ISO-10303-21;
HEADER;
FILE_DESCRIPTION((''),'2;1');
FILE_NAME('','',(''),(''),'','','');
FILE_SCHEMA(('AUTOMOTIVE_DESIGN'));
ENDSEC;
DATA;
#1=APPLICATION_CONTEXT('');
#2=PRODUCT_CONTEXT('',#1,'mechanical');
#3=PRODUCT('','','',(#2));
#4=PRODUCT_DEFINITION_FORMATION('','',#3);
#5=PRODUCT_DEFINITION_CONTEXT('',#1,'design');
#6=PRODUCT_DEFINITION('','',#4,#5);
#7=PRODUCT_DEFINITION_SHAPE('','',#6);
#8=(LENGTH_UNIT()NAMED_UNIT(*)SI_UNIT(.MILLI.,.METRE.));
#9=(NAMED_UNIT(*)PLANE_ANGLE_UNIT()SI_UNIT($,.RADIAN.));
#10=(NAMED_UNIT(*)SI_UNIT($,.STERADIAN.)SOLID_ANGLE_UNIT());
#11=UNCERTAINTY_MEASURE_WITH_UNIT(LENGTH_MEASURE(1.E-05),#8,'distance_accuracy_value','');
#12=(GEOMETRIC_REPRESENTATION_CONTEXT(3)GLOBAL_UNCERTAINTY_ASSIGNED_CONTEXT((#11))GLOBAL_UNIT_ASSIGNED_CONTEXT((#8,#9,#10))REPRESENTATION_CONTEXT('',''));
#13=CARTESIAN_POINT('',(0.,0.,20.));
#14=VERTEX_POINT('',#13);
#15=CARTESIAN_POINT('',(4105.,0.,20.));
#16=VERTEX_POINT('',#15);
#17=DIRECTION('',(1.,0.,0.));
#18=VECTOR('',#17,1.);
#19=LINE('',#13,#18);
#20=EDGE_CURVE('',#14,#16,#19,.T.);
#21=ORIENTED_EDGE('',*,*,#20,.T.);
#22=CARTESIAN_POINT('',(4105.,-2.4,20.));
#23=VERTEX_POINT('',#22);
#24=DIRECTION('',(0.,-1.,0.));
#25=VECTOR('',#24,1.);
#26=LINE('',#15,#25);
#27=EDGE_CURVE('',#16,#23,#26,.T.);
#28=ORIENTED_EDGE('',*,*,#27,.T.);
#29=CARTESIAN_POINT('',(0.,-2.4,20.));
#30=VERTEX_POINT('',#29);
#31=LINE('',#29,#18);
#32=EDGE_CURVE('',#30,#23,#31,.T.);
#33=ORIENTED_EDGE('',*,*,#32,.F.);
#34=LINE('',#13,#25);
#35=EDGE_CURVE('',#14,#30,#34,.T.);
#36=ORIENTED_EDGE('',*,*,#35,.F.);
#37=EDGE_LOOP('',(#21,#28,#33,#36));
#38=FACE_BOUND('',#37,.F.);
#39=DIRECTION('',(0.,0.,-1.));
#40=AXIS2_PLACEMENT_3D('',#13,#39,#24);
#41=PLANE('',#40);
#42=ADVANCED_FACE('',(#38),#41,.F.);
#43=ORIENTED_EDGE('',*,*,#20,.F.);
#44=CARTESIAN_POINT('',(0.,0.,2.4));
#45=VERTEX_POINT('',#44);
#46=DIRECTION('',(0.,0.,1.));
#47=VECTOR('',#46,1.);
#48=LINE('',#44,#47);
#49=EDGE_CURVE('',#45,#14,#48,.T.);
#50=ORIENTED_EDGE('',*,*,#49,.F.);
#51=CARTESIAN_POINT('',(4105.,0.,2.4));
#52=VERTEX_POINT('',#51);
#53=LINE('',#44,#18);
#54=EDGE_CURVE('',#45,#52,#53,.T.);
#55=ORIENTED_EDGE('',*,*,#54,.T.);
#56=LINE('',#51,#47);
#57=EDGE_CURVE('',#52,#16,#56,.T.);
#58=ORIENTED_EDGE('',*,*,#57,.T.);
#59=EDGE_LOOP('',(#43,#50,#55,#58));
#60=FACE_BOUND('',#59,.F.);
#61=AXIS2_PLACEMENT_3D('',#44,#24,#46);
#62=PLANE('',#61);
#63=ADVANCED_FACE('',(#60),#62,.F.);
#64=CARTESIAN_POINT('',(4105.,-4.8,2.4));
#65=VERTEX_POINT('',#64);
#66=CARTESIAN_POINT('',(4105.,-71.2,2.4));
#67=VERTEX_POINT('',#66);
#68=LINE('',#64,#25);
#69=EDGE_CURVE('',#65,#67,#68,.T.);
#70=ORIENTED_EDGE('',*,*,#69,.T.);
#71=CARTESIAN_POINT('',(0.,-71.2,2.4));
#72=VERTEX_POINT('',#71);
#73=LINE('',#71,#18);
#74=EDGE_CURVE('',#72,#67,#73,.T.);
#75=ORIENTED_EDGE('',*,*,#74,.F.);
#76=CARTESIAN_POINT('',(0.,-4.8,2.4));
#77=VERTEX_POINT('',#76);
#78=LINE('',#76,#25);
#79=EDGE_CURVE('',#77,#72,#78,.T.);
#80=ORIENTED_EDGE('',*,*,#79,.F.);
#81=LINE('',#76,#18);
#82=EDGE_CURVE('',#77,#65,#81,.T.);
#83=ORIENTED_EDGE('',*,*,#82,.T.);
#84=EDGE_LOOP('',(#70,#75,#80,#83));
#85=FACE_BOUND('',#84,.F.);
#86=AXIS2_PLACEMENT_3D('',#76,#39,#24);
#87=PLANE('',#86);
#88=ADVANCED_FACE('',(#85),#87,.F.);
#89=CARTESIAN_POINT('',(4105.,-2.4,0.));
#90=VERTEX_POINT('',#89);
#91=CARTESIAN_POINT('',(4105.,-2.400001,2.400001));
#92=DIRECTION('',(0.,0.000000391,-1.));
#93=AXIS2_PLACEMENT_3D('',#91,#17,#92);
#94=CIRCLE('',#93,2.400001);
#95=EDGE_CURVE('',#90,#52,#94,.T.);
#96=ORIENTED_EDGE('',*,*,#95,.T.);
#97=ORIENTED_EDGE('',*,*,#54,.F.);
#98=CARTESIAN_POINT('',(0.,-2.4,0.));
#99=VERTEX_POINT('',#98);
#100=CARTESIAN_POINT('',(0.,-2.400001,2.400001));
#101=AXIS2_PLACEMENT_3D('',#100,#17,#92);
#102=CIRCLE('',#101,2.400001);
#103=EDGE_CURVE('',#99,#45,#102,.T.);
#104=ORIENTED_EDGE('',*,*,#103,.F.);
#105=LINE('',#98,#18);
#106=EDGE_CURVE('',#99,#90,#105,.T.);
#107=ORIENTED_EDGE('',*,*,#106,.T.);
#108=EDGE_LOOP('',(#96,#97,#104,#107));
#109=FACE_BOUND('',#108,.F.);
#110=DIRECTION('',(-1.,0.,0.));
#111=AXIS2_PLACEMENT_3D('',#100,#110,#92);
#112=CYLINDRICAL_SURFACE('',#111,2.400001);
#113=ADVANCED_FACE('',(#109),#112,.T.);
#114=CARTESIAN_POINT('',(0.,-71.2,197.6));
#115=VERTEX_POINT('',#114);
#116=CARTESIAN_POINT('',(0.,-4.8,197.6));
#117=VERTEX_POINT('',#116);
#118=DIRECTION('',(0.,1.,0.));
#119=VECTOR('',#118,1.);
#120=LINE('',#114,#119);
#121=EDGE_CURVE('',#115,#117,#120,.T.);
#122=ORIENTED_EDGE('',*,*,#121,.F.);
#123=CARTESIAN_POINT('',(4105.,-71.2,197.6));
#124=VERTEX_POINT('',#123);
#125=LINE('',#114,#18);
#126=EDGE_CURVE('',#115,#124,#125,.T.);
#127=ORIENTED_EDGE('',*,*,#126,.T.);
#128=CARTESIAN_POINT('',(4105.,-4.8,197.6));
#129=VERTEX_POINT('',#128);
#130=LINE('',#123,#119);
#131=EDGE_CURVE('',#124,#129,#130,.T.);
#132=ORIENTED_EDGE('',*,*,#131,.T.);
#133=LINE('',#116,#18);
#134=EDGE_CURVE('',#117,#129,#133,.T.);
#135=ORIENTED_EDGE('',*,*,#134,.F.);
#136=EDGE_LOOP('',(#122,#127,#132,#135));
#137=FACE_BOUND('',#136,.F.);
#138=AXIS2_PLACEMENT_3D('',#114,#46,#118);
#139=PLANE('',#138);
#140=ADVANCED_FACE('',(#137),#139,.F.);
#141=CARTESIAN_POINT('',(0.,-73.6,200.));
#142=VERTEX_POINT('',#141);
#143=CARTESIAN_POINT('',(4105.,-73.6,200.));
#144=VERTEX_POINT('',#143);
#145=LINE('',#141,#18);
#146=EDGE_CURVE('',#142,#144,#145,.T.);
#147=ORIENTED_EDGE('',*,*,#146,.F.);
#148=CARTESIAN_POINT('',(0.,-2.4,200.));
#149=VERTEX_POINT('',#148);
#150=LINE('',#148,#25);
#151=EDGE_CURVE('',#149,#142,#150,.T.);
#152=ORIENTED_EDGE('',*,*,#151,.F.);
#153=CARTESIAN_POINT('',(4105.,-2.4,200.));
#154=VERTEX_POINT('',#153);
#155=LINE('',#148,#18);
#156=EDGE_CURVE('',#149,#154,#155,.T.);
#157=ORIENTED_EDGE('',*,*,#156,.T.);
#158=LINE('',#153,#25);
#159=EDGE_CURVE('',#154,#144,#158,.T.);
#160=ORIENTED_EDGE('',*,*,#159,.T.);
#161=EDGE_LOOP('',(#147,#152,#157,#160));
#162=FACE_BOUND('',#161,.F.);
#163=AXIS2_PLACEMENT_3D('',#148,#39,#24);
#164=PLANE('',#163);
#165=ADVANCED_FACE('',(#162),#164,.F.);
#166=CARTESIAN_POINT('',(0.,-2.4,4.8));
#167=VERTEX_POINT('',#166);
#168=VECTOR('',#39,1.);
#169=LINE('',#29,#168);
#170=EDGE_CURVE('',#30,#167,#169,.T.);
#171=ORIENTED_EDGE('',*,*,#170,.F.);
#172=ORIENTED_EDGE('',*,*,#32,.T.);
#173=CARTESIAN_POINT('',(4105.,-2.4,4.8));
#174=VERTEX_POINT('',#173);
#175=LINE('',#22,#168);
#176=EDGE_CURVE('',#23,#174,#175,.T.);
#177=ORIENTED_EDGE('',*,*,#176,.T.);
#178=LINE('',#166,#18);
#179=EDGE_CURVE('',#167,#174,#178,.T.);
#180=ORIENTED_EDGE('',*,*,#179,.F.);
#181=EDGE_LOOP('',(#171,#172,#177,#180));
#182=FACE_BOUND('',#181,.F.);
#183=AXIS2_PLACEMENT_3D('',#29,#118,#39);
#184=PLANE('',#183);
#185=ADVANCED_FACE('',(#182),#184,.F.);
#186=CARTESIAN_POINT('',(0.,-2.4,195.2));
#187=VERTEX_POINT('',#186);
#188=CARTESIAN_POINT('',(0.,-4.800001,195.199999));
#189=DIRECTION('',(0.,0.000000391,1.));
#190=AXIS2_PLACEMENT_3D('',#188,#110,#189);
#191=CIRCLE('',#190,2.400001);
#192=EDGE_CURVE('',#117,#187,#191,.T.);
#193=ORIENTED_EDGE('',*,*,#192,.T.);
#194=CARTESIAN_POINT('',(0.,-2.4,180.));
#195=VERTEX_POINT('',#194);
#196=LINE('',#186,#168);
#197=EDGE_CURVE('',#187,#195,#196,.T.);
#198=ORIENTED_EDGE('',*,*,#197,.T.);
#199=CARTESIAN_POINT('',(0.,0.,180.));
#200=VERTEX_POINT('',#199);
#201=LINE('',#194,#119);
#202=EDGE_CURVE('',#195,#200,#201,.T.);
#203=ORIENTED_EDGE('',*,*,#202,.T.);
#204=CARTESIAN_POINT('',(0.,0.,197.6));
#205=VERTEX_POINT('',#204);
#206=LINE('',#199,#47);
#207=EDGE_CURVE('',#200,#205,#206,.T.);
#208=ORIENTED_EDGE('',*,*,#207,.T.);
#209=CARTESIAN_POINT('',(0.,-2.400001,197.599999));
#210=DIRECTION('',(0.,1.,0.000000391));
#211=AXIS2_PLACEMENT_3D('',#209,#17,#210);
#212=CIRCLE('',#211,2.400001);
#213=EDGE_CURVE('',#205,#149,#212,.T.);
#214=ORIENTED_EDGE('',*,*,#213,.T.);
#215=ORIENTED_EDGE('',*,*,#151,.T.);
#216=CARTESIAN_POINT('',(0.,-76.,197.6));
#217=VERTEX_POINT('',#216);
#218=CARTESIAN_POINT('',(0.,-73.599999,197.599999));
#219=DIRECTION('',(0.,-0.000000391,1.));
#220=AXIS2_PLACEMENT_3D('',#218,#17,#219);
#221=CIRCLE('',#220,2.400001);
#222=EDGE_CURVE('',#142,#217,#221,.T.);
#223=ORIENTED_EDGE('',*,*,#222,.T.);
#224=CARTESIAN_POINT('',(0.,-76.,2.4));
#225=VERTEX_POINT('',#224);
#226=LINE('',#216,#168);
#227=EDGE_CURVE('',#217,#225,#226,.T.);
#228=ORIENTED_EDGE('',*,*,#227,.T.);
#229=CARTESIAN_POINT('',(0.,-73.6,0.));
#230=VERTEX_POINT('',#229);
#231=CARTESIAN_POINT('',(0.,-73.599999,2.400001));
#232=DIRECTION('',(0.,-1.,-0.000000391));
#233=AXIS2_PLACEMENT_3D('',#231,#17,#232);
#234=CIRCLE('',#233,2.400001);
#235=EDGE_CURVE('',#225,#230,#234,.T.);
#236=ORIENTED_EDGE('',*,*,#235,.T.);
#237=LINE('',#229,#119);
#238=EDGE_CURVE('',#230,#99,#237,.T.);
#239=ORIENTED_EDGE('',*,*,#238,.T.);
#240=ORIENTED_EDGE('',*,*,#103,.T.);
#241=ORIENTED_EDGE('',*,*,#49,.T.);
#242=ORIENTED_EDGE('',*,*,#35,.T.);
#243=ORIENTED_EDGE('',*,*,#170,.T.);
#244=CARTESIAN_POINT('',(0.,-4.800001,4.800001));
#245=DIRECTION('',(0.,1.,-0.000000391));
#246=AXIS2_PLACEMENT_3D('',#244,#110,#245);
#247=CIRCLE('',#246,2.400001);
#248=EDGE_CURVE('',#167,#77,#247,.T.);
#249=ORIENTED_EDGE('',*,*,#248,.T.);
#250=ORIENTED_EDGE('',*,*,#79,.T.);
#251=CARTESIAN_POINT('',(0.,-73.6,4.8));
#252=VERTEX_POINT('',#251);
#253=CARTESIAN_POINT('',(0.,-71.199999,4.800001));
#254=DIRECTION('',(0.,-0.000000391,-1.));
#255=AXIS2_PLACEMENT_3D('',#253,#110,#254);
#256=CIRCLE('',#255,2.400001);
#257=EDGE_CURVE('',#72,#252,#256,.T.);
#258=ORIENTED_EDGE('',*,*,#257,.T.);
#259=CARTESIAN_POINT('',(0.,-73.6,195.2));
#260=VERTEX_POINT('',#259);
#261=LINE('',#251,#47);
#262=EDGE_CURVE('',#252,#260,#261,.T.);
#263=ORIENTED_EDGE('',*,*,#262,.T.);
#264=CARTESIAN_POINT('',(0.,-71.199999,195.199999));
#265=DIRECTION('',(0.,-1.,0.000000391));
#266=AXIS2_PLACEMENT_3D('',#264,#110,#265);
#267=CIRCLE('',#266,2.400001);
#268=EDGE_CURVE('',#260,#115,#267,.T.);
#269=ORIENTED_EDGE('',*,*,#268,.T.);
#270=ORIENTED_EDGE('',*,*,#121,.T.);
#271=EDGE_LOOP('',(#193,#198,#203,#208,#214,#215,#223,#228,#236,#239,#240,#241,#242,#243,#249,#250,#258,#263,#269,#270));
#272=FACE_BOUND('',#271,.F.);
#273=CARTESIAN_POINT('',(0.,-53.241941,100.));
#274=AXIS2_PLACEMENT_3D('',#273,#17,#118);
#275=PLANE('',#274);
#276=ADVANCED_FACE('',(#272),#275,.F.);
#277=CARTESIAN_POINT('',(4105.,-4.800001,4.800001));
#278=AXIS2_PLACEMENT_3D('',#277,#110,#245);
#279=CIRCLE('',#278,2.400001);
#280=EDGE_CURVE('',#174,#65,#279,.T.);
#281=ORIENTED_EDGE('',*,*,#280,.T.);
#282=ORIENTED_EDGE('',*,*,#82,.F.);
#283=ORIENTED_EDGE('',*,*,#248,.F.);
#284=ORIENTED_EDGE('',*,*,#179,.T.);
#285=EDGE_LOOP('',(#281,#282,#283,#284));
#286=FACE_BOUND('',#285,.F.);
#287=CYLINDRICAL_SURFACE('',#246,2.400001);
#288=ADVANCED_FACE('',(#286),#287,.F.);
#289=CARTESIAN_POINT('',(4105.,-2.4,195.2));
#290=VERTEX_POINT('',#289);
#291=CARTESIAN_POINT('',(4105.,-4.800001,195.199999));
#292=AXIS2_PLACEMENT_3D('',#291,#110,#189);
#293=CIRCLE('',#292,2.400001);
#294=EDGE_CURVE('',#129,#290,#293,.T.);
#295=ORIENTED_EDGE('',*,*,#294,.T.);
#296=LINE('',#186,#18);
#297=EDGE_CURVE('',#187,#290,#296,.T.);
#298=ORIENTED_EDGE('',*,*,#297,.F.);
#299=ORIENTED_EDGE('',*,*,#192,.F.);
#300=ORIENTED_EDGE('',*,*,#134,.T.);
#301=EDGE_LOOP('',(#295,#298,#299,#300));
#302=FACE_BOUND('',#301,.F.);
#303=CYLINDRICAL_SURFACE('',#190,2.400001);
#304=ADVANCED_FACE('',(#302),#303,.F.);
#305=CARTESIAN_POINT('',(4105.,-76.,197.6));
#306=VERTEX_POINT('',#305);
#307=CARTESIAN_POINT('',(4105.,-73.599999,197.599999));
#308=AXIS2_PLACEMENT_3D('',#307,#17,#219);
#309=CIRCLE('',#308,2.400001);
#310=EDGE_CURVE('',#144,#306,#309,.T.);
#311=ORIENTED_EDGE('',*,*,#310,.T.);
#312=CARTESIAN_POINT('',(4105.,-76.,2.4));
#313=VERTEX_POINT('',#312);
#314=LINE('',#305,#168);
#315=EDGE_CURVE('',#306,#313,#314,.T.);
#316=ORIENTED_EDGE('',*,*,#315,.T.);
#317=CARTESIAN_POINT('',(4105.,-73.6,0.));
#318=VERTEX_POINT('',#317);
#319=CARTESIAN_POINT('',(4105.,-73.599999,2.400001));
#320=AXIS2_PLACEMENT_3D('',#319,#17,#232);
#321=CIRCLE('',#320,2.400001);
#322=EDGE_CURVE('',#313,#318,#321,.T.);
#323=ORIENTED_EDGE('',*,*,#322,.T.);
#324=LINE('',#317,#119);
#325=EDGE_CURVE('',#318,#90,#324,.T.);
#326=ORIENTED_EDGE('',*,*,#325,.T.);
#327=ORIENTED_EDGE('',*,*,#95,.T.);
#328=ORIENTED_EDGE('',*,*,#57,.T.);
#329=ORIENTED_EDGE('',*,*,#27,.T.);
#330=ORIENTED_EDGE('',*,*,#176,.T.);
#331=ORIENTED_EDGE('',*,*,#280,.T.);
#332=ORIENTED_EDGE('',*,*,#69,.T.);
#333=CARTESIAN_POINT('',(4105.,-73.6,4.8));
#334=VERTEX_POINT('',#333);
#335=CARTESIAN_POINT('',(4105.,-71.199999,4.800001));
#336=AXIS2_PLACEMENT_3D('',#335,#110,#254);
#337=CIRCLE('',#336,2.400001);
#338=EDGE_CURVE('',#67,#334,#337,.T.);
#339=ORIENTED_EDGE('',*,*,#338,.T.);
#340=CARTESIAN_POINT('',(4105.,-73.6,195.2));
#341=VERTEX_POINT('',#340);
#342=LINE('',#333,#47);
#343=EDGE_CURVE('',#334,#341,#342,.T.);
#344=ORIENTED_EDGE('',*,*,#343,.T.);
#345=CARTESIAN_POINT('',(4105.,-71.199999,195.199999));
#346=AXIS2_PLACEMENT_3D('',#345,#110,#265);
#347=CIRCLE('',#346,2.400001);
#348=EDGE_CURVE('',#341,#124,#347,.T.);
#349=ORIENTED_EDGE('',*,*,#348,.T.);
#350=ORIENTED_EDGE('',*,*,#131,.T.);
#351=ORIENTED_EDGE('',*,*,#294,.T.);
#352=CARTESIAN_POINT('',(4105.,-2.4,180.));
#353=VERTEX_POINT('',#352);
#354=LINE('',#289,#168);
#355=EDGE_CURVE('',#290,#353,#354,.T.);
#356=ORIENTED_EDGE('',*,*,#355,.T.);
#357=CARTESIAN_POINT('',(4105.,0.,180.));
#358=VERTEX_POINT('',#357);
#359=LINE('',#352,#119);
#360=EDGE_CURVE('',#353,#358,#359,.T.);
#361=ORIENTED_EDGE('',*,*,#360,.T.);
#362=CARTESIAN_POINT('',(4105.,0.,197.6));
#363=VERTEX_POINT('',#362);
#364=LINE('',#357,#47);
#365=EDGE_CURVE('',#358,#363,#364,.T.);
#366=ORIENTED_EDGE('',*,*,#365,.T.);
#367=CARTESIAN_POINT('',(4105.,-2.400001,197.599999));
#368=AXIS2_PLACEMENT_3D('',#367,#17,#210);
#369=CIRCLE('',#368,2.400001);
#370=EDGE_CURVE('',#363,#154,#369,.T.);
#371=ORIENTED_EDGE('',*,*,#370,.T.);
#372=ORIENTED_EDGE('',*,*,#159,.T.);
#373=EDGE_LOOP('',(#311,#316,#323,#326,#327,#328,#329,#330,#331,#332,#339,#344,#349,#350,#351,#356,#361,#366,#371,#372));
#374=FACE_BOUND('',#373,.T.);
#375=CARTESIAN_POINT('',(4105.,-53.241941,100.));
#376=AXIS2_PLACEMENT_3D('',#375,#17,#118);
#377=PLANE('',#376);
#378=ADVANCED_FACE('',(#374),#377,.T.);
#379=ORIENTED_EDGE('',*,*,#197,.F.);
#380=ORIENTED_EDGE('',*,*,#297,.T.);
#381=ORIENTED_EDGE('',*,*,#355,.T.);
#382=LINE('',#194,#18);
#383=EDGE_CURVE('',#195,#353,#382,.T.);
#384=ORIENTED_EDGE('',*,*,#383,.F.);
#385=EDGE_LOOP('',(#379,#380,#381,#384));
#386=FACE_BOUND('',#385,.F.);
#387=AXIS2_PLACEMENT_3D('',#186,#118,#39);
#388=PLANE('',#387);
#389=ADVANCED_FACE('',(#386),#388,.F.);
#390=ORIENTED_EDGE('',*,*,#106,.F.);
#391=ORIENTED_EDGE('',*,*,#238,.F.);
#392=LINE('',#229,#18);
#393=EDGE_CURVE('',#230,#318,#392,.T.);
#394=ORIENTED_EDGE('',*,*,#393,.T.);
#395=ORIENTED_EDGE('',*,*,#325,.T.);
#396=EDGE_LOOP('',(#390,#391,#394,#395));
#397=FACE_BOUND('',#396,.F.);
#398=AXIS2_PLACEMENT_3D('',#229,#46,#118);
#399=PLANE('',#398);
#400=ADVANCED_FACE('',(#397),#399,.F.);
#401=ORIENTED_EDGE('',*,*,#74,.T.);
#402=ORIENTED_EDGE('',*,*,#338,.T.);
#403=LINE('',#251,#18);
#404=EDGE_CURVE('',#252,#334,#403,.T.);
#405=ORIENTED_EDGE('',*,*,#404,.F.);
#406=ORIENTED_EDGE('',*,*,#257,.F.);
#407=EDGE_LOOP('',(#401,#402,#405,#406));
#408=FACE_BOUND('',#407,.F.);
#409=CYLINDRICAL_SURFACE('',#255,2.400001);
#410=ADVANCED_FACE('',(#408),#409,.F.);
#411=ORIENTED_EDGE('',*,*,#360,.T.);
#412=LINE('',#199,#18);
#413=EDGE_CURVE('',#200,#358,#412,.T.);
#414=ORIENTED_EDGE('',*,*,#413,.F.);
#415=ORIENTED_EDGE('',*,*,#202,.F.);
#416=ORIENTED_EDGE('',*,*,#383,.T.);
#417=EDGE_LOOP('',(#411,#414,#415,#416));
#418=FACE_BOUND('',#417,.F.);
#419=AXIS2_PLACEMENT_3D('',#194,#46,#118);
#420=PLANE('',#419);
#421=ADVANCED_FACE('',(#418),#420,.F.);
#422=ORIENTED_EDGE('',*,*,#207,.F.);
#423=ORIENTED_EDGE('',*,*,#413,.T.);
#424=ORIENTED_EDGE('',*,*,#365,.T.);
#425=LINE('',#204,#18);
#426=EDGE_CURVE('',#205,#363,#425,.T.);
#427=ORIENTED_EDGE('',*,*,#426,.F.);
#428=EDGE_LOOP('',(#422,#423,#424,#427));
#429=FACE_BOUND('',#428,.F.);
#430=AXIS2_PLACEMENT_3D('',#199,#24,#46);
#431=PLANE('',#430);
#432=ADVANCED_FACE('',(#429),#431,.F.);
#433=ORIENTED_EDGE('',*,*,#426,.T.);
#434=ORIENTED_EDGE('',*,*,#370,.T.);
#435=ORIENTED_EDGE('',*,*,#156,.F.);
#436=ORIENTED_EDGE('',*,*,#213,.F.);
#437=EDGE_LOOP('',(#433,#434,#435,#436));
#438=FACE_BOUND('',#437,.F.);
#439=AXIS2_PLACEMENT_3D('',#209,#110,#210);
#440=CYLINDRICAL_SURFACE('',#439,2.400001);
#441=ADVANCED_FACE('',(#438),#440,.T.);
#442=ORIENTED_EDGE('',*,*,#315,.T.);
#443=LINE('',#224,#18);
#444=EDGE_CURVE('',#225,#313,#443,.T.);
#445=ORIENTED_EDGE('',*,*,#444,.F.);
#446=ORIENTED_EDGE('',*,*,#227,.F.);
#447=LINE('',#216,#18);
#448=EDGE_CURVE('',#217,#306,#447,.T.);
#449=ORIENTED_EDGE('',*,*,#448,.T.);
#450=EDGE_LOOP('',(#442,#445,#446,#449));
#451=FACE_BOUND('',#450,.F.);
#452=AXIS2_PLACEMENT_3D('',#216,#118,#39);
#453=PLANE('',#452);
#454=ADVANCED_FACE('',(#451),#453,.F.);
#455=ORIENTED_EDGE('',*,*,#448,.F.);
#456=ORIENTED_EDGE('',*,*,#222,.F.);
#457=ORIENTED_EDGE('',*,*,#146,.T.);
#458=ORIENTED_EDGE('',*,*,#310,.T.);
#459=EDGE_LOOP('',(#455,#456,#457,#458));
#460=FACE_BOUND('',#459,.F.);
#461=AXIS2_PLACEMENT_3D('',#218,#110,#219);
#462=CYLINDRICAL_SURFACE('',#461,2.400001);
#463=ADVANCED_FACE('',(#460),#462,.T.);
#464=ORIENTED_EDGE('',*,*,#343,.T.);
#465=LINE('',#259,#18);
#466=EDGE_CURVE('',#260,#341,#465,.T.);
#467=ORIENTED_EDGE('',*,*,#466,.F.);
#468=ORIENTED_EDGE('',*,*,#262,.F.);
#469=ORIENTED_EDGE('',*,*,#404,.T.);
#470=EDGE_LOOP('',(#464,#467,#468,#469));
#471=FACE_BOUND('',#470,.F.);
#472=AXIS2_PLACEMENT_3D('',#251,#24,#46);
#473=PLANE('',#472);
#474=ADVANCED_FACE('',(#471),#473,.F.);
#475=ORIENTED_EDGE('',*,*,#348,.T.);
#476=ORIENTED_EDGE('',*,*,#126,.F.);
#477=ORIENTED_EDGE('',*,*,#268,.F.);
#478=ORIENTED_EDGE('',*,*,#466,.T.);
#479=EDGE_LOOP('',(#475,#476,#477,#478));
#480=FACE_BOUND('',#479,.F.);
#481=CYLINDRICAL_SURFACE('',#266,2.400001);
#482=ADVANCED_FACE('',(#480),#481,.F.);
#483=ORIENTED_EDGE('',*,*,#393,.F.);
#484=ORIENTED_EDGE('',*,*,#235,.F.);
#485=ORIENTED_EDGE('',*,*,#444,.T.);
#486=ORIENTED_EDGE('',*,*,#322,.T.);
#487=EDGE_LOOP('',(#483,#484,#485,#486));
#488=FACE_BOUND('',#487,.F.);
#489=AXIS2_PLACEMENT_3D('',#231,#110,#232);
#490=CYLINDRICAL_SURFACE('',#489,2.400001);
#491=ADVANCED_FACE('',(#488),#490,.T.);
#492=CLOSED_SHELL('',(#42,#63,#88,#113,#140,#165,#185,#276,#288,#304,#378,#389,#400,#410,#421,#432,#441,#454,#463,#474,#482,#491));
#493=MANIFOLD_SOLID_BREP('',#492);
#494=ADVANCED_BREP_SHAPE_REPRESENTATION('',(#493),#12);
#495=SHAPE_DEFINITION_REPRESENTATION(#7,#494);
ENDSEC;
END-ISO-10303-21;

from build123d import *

# Parameters (mm, degrees)
F1_DEPTH = 4105


with BuildPart() as f1:
    # F0 (on Right) → F1 (new body)
    with BuildSketch(Plane.YZ):
        with BuildLine():
            Line((-73.6, 0), (-2.4, 0))
            ThreePointArc((-2.4, 0), (-0.702944, 0.702944), (0, 2.4))
            Line((0, 2.4), (0, 20))
            Line((0, 20), (-2.4, 20))
            Line((-2.4, 20), (-2.4, 4.8))
            ThreePointArc((-2.4, 4.8), (-3.102944, 3.102944), (-4.8, 2.4))
            Line((-4.8, 2.4), (-71.2, 2.4))
            ThreePointArc((-71.2, 2.4), (-72.897056, 3.102944), (-73.6, 4.8))
            Line((-73.6, 4.8), (-73.6, 195.2))
            ThreePointArc((-73.6, 195.2), (-72.897056, 196.897056), (-71.2, 197.6))
            Line((-71.2, 197.6), (-4.8, 197.6))
            ThreePointArc((-4.8, 197.6), (-3.102944, 196.897056), (-2.4, 195.2))
            Line((-2.4, 195.2), (-2.4, 180))
            Line((-2.4, 180), (0, 180))
            Line((0, 180), (0, 197.6))
            ThreePointArc((0, 197.6), (-0.702944, 199.297056), (-2.4, 200))
            Line((-2.4, 200), (-73.6, 200))
            ThreePointArc((-73.6, 200), (-75.297056, 199.297056), (-76, 197.6))
            Line((-76, 197.6), (-76, 2.4))
            ThreePointArc((-76, 2.4), (-75.297056, 0.702944), (-73.6, 0))
        make_face()
    extrude(amount=F1_DEPTH)


solid = f1.part
